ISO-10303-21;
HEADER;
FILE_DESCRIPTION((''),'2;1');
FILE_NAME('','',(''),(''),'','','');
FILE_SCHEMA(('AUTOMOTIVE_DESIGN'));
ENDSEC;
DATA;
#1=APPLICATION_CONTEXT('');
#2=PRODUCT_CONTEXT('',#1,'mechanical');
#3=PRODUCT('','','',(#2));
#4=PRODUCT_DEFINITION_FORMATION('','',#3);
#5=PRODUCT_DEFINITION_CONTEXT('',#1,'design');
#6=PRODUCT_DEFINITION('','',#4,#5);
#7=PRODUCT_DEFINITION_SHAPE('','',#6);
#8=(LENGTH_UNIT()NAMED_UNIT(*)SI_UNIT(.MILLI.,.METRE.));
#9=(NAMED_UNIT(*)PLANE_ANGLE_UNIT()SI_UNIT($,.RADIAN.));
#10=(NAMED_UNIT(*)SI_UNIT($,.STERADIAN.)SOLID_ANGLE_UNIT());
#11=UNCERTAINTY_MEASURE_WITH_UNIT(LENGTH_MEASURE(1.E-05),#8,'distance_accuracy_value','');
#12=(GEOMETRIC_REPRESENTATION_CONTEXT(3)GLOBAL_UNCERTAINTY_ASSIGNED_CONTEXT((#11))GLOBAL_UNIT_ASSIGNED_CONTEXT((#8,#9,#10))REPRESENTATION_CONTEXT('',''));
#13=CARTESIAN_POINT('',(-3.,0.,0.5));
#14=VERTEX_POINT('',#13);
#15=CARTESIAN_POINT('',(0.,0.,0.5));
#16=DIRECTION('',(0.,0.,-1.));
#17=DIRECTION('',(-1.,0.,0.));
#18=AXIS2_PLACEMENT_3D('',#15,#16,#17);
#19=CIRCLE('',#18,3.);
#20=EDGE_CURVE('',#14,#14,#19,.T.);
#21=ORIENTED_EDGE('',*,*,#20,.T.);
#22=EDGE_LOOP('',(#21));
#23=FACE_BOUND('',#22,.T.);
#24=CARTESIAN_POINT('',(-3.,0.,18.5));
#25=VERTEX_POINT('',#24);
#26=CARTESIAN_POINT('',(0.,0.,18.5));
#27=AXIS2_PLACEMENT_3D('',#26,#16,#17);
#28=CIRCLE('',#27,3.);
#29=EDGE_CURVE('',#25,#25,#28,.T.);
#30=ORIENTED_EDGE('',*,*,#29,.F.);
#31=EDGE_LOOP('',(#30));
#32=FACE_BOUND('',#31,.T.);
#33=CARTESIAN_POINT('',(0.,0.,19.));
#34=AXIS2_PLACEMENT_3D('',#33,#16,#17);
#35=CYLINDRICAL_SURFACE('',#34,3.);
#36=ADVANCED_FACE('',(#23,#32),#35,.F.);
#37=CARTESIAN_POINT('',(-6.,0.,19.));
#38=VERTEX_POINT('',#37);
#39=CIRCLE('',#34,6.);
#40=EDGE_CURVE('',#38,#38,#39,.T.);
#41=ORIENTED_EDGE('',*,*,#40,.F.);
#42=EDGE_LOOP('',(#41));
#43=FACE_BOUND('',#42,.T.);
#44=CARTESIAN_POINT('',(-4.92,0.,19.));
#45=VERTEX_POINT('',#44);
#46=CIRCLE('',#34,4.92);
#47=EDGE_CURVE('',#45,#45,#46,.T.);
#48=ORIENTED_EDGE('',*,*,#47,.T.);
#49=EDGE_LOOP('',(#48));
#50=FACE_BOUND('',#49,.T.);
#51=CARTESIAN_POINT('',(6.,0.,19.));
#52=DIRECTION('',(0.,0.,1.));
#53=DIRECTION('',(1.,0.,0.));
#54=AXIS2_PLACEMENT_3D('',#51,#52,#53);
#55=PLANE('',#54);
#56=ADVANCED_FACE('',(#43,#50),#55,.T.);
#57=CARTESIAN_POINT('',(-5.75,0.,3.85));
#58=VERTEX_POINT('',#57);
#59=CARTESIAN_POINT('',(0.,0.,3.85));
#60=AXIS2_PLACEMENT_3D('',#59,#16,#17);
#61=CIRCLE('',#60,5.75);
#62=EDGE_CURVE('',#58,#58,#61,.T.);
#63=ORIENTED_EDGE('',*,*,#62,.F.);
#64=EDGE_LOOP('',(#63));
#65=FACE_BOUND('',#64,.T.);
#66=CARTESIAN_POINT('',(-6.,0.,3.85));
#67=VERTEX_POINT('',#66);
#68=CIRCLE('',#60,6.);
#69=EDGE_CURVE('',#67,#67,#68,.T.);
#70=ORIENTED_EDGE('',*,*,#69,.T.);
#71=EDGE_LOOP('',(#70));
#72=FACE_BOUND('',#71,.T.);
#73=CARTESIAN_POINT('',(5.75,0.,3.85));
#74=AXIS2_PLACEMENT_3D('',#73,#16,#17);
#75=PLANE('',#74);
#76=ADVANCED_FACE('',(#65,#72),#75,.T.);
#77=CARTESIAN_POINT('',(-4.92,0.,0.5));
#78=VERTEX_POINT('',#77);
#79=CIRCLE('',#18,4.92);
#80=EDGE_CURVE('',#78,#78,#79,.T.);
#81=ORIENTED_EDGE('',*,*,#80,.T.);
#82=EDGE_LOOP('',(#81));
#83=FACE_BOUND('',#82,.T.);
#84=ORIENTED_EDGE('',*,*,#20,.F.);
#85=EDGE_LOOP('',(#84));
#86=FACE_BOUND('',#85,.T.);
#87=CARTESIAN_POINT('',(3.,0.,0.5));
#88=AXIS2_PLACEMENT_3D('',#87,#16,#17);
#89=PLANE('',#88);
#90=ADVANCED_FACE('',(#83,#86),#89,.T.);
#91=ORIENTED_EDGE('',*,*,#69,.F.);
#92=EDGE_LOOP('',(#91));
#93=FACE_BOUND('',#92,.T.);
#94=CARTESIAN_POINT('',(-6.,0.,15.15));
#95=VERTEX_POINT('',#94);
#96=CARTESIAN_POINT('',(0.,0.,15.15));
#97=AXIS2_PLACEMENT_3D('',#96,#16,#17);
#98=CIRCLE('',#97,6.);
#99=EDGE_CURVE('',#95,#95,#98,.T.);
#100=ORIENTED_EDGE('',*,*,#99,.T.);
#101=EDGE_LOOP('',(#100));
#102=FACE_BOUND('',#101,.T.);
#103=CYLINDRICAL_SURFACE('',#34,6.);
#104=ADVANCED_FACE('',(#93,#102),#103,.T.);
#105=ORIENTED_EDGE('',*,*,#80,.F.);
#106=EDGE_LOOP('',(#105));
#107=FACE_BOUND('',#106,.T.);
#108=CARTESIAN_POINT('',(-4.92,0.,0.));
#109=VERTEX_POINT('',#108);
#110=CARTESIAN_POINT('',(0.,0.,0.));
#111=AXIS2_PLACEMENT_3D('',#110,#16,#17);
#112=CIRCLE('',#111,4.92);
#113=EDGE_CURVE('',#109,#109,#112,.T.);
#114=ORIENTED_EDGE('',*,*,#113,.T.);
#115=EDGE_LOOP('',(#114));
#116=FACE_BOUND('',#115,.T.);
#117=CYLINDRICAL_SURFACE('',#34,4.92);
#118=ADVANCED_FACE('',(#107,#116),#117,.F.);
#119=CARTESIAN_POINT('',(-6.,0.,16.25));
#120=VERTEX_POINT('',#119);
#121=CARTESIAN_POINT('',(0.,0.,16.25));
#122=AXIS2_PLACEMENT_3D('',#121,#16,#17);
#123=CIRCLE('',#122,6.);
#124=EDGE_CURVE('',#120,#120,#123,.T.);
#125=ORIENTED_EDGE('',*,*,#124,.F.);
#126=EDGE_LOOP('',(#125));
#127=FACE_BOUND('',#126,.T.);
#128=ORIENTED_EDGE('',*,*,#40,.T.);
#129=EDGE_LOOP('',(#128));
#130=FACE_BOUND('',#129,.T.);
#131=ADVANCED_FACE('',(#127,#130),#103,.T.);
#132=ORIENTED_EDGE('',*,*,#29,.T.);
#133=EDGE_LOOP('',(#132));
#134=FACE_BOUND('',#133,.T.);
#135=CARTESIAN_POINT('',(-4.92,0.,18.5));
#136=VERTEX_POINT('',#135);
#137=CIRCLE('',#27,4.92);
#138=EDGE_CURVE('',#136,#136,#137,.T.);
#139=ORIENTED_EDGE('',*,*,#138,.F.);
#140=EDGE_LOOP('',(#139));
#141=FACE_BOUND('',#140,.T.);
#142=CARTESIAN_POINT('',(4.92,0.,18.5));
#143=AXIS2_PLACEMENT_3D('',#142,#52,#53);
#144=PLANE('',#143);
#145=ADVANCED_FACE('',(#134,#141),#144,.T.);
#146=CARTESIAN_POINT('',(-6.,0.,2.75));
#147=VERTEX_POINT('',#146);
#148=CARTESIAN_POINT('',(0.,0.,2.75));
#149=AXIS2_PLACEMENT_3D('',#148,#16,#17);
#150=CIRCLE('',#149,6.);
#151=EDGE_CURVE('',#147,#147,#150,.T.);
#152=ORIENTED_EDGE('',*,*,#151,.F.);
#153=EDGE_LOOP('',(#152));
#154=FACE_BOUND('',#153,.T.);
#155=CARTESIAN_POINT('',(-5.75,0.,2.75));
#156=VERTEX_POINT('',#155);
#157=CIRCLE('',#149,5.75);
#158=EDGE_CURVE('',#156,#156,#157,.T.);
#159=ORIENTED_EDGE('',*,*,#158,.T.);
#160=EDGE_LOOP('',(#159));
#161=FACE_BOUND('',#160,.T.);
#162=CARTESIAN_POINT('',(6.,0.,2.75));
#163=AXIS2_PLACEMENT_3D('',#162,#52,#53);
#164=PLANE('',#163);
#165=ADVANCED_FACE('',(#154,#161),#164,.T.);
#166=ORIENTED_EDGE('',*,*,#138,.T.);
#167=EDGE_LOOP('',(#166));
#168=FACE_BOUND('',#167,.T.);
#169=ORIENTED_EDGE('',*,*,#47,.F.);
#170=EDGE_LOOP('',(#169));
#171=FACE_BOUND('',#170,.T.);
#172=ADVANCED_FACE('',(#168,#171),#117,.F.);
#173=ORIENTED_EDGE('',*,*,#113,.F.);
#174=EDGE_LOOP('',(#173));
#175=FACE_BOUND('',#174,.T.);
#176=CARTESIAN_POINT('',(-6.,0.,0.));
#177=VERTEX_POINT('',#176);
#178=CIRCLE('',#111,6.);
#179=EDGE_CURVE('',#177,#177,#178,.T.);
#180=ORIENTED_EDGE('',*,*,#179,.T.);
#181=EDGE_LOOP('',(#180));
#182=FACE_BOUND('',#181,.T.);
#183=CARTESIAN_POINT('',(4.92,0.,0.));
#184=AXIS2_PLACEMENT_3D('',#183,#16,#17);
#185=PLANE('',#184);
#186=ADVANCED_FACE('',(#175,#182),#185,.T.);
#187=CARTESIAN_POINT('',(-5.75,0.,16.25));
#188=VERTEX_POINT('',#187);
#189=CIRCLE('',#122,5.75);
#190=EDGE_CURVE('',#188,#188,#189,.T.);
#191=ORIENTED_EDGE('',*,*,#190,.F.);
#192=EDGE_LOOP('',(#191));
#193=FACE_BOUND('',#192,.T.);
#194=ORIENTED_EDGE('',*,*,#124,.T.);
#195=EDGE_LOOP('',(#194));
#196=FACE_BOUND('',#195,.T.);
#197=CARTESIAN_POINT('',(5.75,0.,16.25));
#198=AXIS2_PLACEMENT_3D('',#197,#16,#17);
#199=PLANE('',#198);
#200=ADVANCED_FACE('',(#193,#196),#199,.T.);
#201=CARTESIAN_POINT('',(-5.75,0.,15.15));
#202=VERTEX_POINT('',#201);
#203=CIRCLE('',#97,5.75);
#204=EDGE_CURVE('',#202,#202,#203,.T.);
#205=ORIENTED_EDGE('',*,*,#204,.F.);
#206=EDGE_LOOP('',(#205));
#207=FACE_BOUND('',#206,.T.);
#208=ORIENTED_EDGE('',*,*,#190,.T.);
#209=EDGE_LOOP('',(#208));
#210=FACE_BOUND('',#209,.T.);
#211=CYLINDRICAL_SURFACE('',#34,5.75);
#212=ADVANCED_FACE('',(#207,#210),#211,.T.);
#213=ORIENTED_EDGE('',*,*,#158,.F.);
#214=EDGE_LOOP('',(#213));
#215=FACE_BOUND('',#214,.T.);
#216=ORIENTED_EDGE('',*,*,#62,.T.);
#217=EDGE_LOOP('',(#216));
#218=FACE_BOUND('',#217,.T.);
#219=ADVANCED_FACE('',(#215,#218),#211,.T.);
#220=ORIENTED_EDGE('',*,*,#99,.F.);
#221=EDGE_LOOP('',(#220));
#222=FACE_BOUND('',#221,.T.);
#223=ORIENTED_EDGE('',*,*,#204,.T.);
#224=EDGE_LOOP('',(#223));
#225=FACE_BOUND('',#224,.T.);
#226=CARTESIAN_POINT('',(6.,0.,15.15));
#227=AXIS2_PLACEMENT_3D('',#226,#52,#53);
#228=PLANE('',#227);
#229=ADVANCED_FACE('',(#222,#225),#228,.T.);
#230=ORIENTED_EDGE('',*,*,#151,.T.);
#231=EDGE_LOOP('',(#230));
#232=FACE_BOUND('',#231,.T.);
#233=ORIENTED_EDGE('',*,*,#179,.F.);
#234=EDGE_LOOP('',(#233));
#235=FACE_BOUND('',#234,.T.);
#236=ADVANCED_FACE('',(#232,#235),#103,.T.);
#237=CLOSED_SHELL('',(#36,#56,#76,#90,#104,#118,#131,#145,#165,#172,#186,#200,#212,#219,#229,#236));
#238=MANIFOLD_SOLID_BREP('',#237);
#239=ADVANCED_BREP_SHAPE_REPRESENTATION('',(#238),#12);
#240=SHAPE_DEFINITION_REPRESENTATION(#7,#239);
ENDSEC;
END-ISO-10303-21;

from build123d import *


with BuildPart() as part:
    # Sketch1 → Revolve1 (revolve)
    with BuildSketch(Plane.XZ, mode=Mode.PRIVATE) as revolve1_sk:
        Polygon((6, 16.25), (6, 19), (4.92, 19), (4.92, 18.5), (3, 18.5), (3, 0.5), (4.92, 0.5), (4.92, 0), (6, 0), (6, 2.75), (5.75, 2.75), (5.75, 3.85), (6, 3.85), (6, 15.15), (5.75, 15.15), (5.75, 16.25), align=None)
    revolve(revolve1_sk.sketch.rotate(Axis((0, 0, 19), (0, 0, -1)), 180), axis=Axis((0, 0, 19), (0, 0, -1)))


solid = part.part
